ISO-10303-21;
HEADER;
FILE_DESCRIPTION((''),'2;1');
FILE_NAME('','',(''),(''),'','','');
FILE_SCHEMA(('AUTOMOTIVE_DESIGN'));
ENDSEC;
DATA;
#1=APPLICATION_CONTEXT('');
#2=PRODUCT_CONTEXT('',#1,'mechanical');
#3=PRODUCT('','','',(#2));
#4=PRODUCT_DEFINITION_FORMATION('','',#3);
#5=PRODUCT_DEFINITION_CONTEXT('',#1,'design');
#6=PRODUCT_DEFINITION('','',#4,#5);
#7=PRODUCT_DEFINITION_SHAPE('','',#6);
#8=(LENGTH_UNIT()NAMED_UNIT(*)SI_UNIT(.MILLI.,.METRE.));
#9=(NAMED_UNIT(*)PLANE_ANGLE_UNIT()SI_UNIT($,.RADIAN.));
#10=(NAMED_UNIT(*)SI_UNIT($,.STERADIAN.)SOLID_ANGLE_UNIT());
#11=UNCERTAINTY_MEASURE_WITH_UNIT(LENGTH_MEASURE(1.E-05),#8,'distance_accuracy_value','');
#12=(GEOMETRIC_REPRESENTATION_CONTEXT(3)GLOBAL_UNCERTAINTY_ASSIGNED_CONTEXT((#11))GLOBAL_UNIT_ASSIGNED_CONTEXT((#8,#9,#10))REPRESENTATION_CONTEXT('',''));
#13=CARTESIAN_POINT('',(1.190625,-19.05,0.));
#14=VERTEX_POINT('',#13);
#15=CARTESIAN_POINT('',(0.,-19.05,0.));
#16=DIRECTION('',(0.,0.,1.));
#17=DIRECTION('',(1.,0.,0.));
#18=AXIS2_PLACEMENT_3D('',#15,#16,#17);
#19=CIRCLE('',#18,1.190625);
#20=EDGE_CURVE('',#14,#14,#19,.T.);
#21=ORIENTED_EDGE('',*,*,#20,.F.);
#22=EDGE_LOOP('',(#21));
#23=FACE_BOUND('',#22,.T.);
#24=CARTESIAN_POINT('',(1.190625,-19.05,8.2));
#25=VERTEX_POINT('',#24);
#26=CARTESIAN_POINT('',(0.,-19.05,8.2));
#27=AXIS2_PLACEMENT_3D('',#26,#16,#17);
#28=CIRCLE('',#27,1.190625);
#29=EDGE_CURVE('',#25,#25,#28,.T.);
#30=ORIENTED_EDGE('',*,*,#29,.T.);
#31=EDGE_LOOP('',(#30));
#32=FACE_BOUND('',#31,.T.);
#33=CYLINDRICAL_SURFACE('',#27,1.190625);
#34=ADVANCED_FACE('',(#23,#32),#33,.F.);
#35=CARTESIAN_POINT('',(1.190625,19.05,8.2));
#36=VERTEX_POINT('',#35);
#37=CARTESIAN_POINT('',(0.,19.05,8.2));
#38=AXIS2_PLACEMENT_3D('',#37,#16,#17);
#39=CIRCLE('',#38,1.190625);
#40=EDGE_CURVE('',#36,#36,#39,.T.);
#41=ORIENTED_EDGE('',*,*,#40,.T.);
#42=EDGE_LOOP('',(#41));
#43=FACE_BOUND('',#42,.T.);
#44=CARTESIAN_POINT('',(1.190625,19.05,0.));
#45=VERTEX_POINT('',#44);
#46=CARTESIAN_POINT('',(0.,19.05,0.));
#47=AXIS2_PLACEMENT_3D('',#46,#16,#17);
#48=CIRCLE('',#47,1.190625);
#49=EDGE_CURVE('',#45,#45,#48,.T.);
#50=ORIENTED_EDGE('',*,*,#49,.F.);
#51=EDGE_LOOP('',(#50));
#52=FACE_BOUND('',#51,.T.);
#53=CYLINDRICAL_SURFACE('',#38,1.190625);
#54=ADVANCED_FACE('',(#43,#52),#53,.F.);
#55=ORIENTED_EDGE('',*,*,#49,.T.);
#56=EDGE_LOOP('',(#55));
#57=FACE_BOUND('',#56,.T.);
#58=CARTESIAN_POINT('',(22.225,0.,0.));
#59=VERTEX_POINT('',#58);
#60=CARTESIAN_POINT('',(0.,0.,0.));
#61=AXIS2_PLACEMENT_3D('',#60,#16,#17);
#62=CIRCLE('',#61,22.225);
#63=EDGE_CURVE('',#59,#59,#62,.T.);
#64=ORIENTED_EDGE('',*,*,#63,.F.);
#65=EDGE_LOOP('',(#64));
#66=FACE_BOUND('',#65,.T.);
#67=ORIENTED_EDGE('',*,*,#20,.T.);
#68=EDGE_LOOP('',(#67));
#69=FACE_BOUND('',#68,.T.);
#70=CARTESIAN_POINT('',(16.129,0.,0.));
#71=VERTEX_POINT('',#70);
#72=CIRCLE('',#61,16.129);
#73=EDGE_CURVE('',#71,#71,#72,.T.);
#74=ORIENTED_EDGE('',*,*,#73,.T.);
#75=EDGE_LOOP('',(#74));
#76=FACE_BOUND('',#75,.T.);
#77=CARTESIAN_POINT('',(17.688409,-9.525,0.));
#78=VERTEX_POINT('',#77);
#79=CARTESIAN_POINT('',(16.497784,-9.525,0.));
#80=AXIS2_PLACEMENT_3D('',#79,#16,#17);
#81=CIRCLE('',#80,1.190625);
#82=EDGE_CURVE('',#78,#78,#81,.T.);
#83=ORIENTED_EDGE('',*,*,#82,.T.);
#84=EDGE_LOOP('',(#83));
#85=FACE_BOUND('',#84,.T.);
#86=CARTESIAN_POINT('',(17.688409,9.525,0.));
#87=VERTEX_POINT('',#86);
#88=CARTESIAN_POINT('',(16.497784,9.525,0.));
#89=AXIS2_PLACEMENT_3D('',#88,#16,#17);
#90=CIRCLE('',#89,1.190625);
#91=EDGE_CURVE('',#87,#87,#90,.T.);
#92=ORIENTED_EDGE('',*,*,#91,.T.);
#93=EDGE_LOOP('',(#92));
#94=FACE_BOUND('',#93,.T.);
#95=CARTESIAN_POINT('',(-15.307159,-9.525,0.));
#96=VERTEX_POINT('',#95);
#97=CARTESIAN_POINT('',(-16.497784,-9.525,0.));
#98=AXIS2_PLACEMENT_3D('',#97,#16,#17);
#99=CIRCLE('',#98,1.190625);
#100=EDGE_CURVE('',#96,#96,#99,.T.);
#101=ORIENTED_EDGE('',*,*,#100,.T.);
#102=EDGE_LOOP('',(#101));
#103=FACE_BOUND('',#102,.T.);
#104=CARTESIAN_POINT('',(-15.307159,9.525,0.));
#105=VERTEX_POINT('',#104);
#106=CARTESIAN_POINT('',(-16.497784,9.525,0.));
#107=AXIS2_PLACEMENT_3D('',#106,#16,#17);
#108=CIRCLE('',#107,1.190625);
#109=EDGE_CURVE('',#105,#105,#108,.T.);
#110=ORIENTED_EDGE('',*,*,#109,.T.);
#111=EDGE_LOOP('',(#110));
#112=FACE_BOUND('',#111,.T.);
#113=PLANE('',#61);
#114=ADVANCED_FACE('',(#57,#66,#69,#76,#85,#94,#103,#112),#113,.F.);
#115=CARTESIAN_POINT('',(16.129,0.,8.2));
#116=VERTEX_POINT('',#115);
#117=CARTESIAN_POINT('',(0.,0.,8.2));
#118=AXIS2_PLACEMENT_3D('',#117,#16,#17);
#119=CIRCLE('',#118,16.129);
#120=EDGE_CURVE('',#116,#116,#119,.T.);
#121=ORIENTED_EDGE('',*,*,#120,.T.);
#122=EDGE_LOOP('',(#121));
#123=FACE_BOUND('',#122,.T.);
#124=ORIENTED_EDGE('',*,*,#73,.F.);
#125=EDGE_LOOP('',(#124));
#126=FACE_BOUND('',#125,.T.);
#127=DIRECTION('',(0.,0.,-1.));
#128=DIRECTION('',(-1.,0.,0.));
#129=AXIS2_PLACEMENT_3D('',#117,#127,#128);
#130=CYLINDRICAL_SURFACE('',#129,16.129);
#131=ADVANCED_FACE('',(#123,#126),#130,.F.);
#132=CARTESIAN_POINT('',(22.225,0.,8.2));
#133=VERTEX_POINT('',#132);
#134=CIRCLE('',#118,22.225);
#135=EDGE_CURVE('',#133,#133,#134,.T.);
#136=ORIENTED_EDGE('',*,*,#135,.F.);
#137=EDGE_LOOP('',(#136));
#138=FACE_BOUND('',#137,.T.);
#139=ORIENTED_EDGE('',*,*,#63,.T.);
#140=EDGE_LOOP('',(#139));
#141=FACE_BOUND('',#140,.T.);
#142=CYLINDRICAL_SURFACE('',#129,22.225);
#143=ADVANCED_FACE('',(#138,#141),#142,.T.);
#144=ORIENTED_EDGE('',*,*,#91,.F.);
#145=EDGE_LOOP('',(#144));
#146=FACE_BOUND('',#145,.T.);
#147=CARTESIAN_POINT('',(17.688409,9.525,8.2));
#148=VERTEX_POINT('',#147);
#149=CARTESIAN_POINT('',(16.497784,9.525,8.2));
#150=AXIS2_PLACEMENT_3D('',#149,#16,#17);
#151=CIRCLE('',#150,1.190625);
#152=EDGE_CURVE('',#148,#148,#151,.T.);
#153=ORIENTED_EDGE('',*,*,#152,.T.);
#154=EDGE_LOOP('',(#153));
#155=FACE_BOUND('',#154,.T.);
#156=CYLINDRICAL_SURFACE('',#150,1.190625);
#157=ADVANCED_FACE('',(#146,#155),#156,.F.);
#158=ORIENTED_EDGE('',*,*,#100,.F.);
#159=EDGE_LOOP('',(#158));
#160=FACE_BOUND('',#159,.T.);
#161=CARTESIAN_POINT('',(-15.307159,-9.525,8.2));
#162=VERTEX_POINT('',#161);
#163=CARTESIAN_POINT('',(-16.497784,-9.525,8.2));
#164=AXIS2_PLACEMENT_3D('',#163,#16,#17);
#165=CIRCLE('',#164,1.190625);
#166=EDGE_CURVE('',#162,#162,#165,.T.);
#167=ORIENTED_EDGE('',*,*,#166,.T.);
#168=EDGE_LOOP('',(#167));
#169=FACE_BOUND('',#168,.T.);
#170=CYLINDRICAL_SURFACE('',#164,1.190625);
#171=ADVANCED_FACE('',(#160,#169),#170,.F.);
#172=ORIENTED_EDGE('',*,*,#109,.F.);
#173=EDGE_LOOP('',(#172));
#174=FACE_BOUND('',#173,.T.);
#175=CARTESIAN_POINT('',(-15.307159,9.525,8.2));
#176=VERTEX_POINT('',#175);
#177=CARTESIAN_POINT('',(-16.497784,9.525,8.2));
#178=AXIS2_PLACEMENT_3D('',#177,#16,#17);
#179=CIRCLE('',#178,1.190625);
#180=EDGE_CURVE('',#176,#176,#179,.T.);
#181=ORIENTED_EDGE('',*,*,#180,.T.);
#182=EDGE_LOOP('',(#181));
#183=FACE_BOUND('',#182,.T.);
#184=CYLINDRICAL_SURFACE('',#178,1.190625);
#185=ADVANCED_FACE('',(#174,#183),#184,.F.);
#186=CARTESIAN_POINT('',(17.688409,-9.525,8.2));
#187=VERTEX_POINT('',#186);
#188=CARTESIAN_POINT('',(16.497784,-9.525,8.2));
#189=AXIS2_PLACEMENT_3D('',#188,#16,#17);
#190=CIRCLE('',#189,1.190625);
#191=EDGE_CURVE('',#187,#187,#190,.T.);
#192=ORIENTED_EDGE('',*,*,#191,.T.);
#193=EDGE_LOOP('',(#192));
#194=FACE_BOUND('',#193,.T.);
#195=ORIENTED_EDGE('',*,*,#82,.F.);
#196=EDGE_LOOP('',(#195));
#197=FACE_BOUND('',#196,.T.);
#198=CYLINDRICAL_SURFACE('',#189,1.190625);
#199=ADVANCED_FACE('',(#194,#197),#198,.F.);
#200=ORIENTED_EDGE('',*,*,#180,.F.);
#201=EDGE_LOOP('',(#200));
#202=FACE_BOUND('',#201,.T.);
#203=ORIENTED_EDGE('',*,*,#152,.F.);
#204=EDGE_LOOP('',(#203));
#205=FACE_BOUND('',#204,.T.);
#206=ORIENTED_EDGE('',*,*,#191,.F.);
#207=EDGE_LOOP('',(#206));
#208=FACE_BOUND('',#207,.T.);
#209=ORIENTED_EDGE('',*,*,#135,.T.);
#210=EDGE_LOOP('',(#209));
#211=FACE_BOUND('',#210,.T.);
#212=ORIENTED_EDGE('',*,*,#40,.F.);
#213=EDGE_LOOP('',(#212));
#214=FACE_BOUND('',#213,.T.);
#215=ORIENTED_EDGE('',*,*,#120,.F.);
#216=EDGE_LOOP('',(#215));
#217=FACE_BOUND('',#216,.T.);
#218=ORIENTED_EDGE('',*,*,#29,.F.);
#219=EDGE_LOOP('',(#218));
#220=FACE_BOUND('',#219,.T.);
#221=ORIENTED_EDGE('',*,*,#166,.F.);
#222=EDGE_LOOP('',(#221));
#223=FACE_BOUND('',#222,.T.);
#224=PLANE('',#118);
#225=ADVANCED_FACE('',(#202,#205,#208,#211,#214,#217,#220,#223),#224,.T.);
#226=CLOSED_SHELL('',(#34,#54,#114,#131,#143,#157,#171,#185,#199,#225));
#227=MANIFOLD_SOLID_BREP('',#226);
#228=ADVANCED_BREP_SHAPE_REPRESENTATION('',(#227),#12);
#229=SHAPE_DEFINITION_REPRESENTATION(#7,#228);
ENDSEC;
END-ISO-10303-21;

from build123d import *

# Parameters (mm, degrees)
SKETCH1_R           = 22.225
SKETCH1_R_2         = 16.129
BOSS_EXTRUDE1_DEPTH = 8.2
CIRPATTERN1_COUNT   = 6


with BuildPart() as part:
    # Sketch1 → Boss-Extrude1 (new body)
    with BuildSketch(Plane.XY):
        Circle(SKETCH1_R)
        Circle(SKETCH1_R_2, mode=Mode.SUBTRACT)
    extrude(amount=BOSS_EXTRUDE1_DEPTH)

    # Sketch2 → 3/32 (0.09375) Diameter Hole1 (revolve, cut)
    with BuildSketch(Plane(origin=(0, 19.05, 8.2), x_dir=(0, -1, 0), z_dir=(1, 0, 0))):
        Polygon((0, 0), (0, 26.115399675), (1.190625, 25.4), (1.190625, 0), align=None)
    f_3_32_0_09375_diameter_hole1 = revolve(axis=Axis((0, 19.05, 14.55), (0, 0, -1)), mode=Mode.SUBTRACT)

    # CirPattern1: 3/32 (0.09375) Diameter Hole1 ×6 about axis
    cirpattern1_axis = Axis((0, 0, 0), (0, 0, 1))
    for i in range(1, CIRPATTERN1_COUNT):
        add(f_3_32_0_09375_diameter_hole1.rotate(cirpattern1_axis, i * 360 / CIRPATTERN1_COUNT), mode=Mode.SUBTRACT)


solid = part.part
